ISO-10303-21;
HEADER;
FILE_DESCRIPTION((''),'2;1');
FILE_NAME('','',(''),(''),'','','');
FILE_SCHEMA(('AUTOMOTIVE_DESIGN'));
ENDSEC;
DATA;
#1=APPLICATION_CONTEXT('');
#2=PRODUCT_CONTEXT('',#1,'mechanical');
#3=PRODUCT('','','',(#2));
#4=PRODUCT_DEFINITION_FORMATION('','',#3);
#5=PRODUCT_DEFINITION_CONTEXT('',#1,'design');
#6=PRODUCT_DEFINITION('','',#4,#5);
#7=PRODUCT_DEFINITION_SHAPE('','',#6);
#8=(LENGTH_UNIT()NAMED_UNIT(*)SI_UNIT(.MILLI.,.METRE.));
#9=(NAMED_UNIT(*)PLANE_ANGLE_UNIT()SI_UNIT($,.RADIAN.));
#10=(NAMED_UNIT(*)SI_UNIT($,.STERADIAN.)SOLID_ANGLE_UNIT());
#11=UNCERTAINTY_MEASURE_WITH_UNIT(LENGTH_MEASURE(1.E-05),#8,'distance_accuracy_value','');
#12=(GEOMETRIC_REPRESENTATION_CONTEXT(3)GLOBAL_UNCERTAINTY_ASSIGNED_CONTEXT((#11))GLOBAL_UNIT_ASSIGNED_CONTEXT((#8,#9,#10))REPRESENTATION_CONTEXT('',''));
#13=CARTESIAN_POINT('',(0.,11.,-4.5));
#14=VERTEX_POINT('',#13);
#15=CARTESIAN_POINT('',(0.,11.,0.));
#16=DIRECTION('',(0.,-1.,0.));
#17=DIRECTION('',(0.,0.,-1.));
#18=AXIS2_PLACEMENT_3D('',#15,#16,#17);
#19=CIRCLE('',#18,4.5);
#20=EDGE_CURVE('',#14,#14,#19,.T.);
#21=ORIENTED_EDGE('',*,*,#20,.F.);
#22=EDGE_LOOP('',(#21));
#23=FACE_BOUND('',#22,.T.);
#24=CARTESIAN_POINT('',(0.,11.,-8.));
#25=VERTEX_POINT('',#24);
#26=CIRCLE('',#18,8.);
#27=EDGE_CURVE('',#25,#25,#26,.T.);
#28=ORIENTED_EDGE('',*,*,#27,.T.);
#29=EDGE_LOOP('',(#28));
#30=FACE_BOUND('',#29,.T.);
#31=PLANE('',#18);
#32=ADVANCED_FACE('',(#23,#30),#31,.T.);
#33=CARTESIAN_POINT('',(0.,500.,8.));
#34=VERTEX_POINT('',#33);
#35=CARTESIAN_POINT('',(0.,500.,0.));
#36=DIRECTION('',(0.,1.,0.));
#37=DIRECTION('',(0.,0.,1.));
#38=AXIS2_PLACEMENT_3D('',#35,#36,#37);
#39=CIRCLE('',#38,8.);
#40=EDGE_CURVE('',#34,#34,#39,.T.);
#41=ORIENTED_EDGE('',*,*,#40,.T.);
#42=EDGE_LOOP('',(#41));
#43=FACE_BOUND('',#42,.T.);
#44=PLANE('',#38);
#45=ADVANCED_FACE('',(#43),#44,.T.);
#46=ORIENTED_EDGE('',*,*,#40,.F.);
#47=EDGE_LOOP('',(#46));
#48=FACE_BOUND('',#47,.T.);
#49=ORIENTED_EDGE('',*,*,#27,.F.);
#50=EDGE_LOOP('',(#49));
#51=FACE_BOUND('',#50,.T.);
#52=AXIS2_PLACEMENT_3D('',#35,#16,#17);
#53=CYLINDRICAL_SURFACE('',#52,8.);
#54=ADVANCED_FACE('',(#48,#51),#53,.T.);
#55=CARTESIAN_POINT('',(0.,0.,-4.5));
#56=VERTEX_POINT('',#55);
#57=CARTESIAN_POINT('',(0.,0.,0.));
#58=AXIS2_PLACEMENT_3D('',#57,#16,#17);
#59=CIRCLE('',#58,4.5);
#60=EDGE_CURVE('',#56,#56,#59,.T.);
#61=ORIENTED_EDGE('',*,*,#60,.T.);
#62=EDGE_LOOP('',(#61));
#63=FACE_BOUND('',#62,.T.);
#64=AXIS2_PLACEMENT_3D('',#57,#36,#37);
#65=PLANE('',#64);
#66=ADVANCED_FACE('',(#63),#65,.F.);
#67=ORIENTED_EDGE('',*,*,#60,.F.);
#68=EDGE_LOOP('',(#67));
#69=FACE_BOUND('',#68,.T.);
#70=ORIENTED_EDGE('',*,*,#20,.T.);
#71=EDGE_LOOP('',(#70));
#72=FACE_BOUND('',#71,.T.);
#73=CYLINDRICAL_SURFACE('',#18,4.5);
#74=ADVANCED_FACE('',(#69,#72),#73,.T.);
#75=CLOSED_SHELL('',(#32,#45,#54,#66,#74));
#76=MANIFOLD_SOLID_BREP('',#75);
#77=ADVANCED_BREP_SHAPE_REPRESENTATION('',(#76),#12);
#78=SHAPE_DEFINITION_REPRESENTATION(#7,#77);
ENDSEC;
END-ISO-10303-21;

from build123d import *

# Parameters (mm, degrees)
SKETCH_1_R          = 8
EXTRUDE_1_DEPTH     = 500
SKETCH_2_OUTSIDE_W  = 118.102
SKETCH_2_OUTSIDE_H  = 118.102
SKETCH_2_OUTSIDE_R  = 4.5
CUT_EXTRUDE_1_DEPTH = 11


with BuildPart() as part:
    # 草图1 → 凸台-拉伸1 (new body)
    with BuildSketch(Plane(origin=(0, 0, 0), x_dir=(1, 0, 0), z_dir=(0, 1, 0))):
        with Locations(Location((0, 0, 0), (0, 0, 270))):
            Circle(SKETCH_1_R)
    extrude(amount=EXTRUDE_1_DEPTH)

    # 草图2 outside → 切除-拉伸1 (cut)
    with BuildSketch(Plane.XZ):
        Rectangle(SKETCH_2_OUTSIDE_W, SKETCH_2_OUTSIDE_H)
        with Locations(Location((0, 0, 0), (0, 0, 270))):
            Circle(SKETCH_2_OUTSIDE_R, mode=Mode.SUBTRACT)
    extrude(amount=-CUT_EXTRUDE_1_DEPTH, mode=Mode.SUBTRACT)


solid = part.part
